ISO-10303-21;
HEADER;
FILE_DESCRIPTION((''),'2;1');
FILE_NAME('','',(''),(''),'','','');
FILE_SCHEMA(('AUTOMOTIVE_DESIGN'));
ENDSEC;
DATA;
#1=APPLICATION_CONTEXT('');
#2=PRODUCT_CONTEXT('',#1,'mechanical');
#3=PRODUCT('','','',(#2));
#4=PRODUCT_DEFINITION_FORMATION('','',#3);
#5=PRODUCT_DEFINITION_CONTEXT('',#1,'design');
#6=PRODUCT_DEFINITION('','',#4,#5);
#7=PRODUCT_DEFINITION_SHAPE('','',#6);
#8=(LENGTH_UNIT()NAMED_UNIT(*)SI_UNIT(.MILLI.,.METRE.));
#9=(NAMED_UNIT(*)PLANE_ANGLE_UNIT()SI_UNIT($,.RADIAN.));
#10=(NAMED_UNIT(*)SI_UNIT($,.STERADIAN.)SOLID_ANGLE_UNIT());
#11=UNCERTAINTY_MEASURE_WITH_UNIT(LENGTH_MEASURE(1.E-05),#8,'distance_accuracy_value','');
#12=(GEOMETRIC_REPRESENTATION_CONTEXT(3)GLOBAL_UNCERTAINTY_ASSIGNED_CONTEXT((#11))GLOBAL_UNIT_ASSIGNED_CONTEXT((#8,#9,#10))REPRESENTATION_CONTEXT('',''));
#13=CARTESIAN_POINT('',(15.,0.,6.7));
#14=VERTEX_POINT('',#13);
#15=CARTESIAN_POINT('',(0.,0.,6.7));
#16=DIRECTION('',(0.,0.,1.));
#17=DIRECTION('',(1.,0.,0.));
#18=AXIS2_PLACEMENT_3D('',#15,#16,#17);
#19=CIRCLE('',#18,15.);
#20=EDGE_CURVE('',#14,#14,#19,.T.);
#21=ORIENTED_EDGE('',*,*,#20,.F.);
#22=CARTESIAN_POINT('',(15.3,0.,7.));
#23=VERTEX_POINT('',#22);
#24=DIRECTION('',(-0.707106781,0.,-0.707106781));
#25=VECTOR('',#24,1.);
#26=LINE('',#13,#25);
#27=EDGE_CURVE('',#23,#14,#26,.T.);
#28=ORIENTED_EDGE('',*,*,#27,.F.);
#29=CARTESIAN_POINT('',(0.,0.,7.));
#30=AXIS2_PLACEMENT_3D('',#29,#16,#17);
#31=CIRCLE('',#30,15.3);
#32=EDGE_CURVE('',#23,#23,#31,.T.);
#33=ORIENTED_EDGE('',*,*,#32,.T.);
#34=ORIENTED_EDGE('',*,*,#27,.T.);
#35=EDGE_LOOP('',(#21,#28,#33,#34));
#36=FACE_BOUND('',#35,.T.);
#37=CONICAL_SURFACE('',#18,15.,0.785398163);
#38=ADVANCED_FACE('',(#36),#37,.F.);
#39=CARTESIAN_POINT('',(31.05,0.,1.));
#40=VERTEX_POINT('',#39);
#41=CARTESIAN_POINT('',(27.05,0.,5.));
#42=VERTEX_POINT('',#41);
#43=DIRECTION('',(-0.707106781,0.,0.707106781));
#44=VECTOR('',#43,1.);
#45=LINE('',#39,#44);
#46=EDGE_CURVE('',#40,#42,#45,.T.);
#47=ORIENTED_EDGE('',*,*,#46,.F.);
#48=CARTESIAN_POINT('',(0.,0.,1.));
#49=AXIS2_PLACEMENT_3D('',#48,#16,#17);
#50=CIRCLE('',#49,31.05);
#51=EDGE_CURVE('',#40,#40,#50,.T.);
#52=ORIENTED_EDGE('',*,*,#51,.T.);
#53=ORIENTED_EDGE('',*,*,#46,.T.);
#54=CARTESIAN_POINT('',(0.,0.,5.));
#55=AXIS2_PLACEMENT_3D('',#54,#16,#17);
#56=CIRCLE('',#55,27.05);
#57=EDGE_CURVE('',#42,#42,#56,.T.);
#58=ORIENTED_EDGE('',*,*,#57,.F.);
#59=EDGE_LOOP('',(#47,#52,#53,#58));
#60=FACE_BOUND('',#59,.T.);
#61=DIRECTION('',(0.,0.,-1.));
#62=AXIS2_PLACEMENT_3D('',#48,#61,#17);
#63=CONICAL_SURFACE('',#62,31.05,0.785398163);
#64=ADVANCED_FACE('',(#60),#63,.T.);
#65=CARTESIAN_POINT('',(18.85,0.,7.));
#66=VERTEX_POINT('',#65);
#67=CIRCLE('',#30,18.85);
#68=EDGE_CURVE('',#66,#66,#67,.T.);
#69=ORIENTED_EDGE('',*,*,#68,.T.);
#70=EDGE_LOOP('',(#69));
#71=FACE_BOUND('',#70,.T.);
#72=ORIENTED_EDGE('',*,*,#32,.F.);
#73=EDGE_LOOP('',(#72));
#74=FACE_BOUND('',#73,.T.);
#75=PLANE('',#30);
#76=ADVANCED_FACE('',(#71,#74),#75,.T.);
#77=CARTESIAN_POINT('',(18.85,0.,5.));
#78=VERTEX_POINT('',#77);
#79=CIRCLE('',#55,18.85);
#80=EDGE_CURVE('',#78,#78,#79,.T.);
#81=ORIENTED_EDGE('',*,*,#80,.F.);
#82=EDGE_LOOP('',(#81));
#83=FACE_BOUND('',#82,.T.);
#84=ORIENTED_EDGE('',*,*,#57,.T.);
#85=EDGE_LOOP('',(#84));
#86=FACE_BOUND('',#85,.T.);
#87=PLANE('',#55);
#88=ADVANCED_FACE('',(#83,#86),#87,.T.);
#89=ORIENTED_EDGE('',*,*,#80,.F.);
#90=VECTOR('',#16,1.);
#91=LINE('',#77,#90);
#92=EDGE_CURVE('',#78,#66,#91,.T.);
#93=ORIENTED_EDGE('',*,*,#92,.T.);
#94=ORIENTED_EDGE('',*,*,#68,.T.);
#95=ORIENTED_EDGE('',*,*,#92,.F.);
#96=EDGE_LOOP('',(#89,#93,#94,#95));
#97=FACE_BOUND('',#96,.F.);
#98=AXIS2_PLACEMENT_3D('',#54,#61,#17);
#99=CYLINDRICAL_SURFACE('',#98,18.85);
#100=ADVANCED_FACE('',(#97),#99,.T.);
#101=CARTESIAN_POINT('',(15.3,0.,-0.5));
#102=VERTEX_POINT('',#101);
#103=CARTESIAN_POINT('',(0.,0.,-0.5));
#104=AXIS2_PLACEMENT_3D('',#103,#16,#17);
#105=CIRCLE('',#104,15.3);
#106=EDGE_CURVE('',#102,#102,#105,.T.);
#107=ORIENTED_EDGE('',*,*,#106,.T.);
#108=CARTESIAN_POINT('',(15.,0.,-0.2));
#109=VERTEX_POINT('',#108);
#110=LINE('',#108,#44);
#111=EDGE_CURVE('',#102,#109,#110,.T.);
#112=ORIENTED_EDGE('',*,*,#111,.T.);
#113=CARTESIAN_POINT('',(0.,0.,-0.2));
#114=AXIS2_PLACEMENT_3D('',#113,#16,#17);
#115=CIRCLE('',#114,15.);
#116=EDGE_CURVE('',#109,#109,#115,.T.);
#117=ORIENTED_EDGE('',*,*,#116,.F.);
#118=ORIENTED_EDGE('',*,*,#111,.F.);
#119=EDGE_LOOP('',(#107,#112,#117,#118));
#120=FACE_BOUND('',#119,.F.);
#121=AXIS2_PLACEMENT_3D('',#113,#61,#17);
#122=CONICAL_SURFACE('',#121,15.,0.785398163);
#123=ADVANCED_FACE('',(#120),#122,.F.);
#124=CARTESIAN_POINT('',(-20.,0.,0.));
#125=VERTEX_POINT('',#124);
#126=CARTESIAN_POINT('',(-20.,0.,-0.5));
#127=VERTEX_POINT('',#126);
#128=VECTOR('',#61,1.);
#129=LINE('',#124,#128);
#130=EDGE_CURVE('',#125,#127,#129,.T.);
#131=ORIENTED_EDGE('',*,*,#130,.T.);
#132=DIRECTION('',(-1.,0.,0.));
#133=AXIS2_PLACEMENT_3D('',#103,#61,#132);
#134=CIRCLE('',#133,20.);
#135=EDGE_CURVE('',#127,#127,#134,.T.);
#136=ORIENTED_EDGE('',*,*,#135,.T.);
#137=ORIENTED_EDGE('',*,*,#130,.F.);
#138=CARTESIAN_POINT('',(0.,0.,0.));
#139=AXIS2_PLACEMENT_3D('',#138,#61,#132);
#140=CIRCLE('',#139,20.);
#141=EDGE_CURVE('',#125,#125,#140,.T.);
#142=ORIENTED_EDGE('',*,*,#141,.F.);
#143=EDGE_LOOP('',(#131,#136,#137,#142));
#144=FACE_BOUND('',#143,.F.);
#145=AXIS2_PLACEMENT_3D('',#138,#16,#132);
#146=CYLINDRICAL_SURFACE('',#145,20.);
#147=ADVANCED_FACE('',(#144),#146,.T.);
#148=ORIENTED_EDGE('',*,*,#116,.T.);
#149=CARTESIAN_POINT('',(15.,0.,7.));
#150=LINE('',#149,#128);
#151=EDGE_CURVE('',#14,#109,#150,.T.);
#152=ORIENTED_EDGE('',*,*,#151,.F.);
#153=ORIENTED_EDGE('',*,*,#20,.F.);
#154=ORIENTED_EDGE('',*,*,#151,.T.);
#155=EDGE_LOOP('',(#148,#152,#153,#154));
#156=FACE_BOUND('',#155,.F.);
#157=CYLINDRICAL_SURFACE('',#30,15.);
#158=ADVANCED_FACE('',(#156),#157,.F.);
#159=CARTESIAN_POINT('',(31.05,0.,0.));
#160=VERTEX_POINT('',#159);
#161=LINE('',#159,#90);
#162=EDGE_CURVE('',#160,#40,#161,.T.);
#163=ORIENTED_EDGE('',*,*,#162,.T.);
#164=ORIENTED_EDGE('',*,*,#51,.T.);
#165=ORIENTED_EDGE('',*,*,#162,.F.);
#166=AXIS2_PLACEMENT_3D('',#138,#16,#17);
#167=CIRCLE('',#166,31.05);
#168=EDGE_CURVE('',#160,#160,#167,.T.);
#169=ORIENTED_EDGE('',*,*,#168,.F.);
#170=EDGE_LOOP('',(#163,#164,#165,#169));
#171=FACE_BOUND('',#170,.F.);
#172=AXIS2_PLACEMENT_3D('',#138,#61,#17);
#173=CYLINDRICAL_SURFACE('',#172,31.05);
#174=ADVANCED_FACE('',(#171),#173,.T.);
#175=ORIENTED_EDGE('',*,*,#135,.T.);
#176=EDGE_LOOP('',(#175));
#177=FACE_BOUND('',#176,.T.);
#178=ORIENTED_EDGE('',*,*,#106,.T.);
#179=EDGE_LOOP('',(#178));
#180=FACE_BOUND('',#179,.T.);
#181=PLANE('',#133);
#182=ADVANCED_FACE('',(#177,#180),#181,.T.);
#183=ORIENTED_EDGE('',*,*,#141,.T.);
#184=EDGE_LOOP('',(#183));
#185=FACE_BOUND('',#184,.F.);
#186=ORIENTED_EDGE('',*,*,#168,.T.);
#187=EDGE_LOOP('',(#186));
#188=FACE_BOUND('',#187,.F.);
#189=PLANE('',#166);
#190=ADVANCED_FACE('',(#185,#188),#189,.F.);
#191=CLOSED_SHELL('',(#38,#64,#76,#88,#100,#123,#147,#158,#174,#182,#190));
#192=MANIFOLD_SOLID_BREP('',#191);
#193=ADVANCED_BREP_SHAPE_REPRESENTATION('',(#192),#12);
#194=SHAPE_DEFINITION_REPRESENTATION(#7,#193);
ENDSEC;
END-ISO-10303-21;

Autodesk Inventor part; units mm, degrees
ref_plane "YZ Plane" through (0, 0, 0) normal (1, 0, 0) x (0, 1, 0)
ref_plane "XZ Plane" through (0, 0, 0) normal (0, 1, 0) x (-1, 0, 0)
ref_plane "XY Plane" through (0, 0, 0) normal (0, 0, 1) x (1, 0, 0)
sketch "草圖1" plane through (0, 0, 0) normal (0, 0, 1) x (1, 0, 0)
  circle A0 centre (0, 0) radius 31.05
  dimension "d0" = 62.1
extrude "擠出1" add sketch "草圖1" along normal blind 5
sketch "草圖2" plane through (0, 0, 5) normal (0, 0, 1) x (1, 0, 0)
  circle A0 centre (0, 0) radius 18.85
  dimension "d3" = 37.7
extrude "擠出2" add sketch "草圖2" along normal blind 2
sketch "草圖3" plane through (0, 0, 0) normal (0, 0, -1) x (-1, 0, 0)
  circle A0 centre (0, 0) radius 20
  dimension "d6" = 40
extrude "擠出3" add sketch "草圖3" along normal blind 0.5
sketch "草圖4" plane through (0, 0, 7) normal (0, 0, 1) x (1, 0, 0)
  circle A0 centre (0, 0) radius 15
  dimension "d9" = 30
extrude "擠出4" cut sketch "草圖4" against normal blind 7.5
chamfer "倒角1" distance 4 angle 45 1 edges at (-31.05, 0, 5)
chamfer "倒角2" distance 0.3 angle 45 2 edges at (-15, 0, 7) (-15, 0, -0.5)
properties part number "KMB602PT-機械油封墊片"
